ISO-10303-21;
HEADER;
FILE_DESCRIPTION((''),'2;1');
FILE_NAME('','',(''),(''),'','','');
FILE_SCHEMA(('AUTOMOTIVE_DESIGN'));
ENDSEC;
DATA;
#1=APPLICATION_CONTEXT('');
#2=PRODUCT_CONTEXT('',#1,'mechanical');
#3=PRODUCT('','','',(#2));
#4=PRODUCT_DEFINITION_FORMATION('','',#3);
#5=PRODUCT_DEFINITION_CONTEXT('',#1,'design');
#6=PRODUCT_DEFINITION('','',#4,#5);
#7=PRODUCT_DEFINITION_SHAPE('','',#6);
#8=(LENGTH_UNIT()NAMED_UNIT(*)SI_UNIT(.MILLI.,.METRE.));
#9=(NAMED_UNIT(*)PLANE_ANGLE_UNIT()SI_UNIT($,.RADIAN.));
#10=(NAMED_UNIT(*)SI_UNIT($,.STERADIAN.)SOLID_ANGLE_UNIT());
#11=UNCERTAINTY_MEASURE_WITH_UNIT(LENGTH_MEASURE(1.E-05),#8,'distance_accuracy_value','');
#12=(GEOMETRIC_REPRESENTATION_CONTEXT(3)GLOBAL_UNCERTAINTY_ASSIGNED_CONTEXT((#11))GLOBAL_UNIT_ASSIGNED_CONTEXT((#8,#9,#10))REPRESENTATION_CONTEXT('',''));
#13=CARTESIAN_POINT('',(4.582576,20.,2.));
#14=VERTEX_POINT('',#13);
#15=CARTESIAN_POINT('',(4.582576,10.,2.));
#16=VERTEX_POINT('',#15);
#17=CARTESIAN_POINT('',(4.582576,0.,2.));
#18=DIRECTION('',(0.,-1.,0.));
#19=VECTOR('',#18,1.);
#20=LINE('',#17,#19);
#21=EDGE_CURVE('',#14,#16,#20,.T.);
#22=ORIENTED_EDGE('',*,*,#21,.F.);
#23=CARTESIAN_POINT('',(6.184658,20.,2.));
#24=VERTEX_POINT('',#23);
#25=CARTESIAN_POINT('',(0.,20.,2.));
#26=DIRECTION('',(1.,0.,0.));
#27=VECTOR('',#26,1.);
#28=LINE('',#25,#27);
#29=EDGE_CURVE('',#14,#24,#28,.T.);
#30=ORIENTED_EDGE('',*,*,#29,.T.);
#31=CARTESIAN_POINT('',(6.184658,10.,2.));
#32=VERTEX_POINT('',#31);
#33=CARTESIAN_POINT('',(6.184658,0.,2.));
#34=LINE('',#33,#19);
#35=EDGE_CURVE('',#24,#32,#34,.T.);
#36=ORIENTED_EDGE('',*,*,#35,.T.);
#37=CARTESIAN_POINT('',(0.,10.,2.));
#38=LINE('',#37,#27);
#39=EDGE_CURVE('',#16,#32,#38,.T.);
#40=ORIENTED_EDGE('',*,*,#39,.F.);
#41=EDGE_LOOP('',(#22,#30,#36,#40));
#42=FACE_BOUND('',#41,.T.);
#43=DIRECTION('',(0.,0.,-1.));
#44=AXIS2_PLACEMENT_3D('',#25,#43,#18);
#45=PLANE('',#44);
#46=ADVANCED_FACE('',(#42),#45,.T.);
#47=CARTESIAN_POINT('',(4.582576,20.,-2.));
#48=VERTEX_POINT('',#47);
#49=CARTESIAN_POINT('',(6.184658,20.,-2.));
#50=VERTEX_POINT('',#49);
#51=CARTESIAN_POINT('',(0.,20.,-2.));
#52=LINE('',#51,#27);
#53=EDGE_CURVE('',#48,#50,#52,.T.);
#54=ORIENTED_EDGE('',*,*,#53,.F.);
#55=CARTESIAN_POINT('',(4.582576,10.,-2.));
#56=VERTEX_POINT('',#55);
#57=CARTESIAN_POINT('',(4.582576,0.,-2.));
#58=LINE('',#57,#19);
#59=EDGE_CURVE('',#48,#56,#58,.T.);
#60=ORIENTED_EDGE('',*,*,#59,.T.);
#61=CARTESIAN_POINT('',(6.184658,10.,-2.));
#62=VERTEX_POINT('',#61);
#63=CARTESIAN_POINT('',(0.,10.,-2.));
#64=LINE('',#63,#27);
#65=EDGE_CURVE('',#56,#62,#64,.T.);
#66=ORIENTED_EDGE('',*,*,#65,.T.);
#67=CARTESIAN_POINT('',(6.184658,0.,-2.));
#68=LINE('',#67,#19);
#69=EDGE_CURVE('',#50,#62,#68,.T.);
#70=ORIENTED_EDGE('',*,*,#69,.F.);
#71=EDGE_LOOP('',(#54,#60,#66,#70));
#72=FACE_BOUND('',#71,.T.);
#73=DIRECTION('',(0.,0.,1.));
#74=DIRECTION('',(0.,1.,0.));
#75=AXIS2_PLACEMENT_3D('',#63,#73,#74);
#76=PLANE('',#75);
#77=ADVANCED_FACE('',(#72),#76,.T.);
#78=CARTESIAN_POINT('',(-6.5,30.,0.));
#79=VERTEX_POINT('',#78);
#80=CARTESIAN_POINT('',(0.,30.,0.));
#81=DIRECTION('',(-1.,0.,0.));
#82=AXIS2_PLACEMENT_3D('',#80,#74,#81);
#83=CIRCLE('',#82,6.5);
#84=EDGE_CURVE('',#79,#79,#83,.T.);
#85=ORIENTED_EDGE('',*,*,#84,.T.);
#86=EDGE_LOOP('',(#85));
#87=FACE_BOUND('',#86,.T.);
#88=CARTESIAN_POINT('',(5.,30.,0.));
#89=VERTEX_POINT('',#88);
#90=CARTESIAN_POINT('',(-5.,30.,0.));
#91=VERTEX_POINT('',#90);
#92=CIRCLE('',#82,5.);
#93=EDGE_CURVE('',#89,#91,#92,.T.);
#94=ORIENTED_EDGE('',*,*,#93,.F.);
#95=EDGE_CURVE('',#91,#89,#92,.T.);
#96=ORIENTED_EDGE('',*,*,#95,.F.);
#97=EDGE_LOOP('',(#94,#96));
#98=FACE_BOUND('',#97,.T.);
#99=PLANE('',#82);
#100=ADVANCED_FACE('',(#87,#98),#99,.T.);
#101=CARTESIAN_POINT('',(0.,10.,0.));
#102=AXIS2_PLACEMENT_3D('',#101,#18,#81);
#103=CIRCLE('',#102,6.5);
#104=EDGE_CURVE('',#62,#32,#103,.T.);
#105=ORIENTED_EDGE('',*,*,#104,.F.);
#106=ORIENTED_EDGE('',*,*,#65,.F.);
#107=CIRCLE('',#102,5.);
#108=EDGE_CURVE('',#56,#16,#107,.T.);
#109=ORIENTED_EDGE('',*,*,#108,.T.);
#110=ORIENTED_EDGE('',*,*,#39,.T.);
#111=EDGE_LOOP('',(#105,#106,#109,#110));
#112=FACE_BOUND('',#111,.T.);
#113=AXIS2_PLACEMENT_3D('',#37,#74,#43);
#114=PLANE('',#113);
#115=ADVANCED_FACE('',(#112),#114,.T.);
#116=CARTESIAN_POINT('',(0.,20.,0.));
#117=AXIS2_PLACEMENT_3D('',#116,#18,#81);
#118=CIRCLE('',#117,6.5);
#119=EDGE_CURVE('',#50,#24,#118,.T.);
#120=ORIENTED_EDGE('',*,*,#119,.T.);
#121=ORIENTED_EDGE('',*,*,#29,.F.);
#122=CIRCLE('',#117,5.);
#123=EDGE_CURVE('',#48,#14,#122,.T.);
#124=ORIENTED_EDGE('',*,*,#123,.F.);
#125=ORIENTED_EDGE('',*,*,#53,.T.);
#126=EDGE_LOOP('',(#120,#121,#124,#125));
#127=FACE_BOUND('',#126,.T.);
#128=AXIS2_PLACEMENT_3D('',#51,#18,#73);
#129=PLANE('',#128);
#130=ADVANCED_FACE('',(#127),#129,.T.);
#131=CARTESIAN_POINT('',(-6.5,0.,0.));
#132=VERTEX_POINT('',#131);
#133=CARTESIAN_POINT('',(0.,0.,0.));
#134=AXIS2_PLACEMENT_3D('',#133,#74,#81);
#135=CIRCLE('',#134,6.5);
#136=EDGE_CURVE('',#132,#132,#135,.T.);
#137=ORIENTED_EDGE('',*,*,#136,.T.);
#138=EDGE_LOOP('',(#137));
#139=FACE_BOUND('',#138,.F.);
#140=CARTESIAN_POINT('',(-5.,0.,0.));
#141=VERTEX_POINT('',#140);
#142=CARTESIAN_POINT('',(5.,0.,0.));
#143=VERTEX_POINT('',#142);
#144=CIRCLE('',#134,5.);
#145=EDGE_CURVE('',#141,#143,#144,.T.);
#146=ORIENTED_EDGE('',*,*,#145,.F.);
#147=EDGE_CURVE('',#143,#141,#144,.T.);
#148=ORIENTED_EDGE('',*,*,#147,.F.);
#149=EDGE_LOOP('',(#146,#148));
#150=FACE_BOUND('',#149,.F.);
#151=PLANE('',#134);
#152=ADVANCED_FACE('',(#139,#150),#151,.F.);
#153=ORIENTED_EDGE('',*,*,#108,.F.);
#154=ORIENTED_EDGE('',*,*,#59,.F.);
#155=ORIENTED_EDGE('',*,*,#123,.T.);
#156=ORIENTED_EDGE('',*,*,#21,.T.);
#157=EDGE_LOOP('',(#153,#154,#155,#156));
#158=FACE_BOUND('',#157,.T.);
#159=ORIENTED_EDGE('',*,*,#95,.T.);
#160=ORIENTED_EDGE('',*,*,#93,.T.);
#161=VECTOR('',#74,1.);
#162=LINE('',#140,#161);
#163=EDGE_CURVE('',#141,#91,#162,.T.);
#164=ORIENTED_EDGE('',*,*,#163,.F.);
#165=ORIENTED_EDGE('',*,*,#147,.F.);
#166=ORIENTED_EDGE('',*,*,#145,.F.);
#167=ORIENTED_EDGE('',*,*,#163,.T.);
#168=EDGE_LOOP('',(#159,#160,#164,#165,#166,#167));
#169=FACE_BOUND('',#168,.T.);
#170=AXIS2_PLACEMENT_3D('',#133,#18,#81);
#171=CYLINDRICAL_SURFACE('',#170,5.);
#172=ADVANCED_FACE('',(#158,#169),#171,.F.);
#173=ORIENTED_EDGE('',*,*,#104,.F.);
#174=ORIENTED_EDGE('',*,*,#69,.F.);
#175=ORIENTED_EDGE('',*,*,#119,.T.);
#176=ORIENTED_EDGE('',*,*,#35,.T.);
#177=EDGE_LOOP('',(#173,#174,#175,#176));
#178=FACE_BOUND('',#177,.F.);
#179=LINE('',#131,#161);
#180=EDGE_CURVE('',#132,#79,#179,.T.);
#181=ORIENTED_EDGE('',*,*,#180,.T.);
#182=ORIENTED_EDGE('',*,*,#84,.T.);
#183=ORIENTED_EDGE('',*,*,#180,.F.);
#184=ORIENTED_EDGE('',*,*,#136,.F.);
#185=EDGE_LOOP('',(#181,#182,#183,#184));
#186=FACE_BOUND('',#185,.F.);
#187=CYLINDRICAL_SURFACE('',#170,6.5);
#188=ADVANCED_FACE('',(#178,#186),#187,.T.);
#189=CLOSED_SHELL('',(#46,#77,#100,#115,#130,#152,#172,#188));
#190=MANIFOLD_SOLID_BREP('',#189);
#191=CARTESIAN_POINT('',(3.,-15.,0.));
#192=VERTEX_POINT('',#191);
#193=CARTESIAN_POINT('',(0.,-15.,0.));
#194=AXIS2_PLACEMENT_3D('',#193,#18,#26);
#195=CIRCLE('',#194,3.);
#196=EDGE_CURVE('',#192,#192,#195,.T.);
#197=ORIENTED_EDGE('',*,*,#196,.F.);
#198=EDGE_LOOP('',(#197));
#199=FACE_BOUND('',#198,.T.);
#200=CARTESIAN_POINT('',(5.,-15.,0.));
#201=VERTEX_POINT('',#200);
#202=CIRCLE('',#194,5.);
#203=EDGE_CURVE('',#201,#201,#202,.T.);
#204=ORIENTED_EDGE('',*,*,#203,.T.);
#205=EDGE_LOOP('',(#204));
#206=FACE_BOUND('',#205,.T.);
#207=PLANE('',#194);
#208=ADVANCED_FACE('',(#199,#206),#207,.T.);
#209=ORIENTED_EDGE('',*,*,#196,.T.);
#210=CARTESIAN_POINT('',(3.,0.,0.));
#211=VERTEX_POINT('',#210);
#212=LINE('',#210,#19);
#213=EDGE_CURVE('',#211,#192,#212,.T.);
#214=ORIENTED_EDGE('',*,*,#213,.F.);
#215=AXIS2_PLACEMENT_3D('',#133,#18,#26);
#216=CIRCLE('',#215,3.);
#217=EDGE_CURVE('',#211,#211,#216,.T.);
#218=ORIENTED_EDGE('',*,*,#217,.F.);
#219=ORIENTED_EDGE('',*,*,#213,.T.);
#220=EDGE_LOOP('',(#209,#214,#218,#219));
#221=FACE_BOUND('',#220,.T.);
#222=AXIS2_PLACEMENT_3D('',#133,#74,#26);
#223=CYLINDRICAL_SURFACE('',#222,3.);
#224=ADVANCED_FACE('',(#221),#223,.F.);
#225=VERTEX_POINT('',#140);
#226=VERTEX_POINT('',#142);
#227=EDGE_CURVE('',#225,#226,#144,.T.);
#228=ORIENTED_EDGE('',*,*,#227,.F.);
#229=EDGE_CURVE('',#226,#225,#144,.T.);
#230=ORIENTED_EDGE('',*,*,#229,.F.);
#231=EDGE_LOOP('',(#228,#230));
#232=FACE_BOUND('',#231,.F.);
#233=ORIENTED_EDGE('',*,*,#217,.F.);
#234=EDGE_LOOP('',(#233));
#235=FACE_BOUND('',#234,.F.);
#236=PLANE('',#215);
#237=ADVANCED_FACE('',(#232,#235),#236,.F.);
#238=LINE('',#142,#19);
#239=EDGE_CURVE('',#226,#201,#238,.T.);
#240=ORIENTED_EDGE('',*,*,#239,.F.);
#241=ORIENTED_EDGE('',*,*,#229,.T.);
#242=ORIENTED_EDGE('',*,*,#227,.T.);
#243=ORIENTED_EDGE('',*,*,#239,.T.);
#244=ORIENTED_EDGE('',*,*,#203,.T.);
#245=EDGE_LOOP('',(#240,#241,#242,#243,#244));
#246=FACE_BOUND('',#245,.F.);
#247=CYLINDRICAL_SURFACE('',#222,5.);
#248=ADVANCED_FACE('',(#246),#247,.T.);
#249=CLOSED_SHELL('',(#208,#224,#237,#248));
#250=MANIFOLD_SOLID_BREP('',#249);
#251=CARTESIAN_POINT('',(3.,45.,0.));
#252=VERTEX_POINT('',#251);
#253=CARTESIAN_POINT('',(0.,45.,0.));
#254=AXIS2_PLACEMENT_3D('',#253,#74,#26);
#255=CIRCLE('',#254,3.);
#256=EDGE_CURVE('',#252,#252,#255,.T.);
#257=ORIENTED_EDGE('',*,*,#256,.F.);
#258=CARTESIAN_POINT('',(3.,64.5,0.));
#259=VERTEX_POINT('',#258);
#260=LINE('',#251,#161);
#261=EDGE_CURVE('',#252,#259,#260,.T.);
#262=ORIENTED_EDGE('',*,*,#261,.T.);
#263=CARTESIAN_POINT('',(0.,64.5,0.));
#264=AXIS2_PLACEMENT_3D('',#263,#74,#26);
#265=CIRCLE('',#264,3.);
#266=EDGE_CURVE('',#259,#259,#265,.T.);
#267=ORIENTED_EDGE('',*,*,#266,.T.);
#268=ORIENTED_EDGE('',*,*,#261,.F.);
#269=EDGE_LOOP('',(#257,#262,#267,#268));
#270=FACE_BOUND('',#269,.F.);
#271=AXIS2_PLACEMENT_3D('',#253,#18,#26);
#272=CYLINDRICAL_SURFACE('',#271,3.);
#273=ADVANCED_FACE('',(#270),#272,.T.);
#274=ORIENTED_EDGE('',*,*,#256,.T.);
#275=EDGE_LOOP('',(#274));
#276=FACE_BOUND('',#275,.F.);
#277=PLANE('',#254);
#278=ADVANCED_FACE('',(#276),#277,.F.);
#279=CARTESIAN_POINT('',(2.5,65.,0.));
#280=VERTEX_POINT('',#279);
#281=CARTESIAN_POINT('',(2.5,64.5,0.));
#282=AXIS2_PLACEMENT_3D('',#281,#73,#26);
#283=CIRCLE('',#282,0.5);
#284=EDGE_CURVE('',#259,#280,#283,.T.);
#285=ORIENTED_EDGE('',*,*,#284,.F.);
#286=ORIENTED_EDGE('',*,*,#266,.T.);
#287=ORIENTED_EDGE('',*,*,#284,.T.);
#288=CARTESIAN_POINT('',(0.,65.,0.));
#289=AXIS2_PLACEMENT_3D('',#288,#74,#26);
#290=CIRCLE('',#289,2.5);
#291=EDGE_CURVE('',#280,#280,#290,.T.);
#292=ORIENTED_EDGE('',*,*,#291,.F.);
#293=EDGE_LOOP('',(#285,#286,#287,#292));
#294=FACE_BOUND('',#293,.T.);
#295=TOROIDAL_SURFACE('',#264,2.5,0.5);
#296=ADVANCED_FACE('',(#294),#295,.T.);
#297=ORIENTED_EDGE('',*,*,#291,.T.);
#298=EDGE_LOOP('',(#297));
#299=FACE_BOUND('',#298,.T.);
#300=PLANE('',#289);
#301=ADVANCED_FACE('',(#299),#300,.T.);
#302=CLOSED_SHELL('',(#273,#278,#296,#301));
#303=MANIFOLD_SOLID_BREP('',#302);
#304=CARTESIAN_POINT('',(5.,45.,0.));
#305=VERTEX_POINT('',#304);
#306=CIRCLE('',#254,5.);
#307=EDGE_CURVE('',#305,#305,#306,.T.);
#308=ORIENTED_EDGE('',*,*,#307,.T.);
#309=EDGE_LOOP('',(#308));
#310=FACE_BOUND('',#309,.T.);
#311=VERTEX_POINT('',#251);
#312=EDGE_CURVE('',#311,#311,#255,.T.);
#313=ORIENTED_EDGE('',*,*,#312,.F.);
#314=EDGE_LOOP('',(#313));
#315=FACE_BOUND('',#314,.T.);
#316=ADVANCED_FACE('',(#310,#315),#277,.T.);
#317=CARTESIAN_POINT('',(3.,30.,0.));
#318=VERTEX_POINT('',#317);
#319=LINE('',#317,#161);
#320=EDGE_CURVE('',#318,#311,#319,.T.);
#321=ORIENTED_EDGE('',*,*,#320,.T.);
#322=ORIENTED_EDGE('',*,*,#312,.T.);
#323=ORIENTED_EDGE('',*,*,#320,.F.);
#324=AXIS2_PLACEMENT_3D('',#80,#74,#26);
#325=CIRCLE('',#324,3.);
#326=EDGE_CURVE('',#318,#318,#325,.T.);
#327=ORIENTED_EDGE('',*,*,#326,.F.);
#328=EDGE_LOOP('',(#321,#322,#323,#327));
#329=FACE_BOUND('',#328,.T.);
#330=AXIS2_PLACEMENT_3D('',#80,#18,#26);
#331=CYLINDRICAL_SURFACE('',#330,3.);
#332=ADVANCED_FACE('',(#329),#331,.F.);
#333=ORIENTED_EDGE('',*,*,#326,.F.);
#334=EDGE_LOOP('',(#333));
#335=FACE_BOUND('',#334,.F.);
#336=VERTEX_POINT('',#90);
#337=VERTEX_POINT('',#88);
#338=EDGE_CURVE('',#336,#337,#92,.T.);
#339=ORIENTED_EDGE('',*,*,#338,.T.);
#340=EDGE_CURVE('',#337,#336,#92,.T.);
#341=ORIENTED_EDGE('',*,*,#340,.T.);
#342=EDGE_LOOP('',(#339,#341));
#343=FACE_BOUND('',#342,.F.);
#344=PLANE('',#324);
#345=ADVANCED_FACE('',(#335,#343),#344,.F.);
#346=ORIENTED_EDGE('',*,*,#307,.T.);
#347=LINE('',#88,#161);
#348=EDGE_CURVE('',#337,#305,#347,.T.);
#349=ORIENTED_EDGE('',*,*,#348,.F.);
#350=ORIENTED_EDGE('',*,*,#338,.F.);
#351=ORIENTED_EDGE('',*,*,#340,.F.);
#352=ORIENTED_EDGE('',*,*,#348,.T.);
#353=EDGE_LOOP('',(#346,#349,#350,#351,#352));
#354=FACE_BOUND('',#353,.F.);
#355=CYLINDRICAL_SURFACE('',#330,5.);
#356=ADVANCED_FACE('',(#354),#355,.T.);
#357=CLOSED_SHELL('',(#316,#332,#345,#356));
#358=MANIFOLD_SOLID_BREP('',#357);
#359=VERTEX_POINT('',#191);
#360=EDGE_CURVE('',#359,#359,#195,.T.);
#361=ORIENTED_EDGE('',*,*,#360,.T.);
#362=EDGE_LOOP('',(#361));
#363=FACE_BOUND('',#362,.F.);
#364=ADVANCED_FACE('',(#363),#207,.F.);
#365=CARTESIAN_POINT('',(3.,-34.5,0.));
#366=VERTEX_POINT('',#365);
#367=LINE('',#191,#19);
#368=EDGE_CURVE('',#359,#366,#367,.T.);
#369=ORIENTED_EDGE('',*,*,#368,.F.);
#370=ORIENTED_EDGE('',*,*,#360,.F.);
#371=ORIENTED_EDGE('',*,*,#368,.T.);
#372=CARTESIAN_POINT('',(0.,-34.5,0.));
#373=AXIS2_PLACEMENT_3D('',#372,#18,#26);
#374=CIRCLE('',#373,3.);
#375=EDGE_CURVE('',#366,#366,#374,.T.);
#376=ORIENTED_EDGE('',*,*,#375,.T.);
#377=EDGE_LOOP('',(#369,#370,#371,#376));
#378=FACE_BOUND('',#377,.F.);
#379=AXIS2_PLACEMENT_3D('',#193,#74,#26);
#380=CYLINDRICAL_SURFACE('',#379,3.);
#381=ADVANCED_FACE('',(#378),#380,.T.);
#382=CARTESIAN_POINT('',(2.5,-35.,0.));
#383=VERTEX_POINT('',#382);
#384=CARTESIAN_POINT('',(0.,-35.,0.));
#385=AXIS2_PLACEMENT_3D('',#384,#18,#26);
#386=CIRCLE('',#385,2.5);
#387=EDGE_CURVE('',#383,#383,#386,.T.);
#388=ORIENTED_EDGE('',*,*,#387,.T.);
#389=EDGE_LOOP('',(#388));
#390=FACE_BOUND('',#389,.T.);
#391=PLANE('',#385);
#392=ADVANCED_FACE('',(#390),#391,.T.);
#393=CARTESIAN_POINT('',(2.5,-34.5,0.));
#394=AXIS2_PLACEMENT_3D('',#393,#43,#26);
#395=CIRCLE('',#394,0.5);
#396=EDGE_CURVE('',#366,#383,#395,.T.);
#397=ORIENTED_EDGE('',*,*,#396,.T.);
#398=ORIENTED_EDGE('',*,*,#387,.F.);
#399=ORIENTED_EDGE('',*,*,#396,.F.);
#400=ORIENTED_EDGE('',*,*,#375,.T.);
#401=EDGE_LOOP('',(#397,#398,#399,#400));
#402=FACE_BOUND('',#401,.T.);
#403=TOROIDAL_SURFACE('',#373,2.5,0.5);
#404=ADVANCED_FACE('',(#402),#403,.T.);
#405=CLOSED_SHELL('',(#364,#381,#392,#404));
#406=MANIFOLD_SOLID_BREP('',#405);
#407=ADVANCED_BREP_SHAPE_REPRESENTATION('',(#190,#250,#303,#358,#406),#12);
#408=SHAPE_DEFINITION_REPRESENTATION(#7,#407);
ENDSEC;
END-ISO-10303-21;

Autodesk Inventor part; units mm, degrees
ref_plane "YZ Plane" through (0, 0, 0) normal (1, 0, 0) x (0, 1, 0)
ref_plane "XZ Plane" through (0, 0, 0) normal (0, 1, 0) x (-1, 0, 0)
ref_plane "XY Plane" through (0, 0, 0) normal (0, 0, 1) x (1, 0, 0)
sketch "Sketch1" plane through (0, 0, 0) normal (0, 1, 0) x (-1, 0, 0)
  circle A0 centre (0, 0) radius 6.5
  circle A1 centre (0, 0) radius 5
extrude "Extrusion1" add sketch "Sketch1" along normal blind 30
sketch "Sketch2" plane through (0, 0, 0) normal (1, 0, 0) x (0, 1, 0)
  line L0 (0, 0) -> (15, 0) construction
  line L1 (10, -2) -> (20, -2)
  line L2 (20, -2) -> (20, 2)
  line L3 (20, 2) -> (10, 2)
  line L4 (10, 2) -> (10, -2)
  line L5 (10, -2) -> (20, 2) construction
  line L6 (20, -2) -> (10, 2) construction
  dimension "d4" = 10
  dimension "d5" = 4
extrude "Extrusion2" cut sketch "Sketch2" along normal blind 30
sketch "Sketch3" plane through (0, 0, 0) normal (0, -1, 0) x (1, 0, 0)
  circle A0 centre (0, 0) radius 5
  circle A1 centre (0, 0) radius 3
  dimension "d8" = 6
extrude "Extrusion3" add sketch "Sketch3" along normal blind 15
sketch "Sketch4" plane through (0, 30, 0) normal (0, 1, 0) x (1, 0, 0)
  circle A0 centre (0, 0) radius 5
  circle A1 centre (0, 0) radius 3
extrude "Extrusion4" add sketch "Sketch4" along normal blind 15
sketch "Sketch5" plane through (0, -15, 0) normal (0, -1, 0) x (1, 0, 0)
  circle A0 centre (0, 0) radius 3
extrude "Extrusion5" add sketch "Sketch5" along normal blind 20
sketch "Sketch6" plane through (0, 45, 0) normal (0, 1, 0) x (1, 0, 0)
  circle A0 centre (0, 0) radius 3
extrude "Extrusion6" add sketch "Sketch6" along normal blind 20
thread "Thread1" size "M6x1" class "6g" standard "ANSI Metric M Profile" length 10
thread "Thread2" size "M6x1" class "6g" standard "ANSI Metric M Profile" length 10
fillet "Fillet1" radius 0.5 2 edges at (-3, -35, 0) (-3, 65, 0)
properties part number "Traversa"
